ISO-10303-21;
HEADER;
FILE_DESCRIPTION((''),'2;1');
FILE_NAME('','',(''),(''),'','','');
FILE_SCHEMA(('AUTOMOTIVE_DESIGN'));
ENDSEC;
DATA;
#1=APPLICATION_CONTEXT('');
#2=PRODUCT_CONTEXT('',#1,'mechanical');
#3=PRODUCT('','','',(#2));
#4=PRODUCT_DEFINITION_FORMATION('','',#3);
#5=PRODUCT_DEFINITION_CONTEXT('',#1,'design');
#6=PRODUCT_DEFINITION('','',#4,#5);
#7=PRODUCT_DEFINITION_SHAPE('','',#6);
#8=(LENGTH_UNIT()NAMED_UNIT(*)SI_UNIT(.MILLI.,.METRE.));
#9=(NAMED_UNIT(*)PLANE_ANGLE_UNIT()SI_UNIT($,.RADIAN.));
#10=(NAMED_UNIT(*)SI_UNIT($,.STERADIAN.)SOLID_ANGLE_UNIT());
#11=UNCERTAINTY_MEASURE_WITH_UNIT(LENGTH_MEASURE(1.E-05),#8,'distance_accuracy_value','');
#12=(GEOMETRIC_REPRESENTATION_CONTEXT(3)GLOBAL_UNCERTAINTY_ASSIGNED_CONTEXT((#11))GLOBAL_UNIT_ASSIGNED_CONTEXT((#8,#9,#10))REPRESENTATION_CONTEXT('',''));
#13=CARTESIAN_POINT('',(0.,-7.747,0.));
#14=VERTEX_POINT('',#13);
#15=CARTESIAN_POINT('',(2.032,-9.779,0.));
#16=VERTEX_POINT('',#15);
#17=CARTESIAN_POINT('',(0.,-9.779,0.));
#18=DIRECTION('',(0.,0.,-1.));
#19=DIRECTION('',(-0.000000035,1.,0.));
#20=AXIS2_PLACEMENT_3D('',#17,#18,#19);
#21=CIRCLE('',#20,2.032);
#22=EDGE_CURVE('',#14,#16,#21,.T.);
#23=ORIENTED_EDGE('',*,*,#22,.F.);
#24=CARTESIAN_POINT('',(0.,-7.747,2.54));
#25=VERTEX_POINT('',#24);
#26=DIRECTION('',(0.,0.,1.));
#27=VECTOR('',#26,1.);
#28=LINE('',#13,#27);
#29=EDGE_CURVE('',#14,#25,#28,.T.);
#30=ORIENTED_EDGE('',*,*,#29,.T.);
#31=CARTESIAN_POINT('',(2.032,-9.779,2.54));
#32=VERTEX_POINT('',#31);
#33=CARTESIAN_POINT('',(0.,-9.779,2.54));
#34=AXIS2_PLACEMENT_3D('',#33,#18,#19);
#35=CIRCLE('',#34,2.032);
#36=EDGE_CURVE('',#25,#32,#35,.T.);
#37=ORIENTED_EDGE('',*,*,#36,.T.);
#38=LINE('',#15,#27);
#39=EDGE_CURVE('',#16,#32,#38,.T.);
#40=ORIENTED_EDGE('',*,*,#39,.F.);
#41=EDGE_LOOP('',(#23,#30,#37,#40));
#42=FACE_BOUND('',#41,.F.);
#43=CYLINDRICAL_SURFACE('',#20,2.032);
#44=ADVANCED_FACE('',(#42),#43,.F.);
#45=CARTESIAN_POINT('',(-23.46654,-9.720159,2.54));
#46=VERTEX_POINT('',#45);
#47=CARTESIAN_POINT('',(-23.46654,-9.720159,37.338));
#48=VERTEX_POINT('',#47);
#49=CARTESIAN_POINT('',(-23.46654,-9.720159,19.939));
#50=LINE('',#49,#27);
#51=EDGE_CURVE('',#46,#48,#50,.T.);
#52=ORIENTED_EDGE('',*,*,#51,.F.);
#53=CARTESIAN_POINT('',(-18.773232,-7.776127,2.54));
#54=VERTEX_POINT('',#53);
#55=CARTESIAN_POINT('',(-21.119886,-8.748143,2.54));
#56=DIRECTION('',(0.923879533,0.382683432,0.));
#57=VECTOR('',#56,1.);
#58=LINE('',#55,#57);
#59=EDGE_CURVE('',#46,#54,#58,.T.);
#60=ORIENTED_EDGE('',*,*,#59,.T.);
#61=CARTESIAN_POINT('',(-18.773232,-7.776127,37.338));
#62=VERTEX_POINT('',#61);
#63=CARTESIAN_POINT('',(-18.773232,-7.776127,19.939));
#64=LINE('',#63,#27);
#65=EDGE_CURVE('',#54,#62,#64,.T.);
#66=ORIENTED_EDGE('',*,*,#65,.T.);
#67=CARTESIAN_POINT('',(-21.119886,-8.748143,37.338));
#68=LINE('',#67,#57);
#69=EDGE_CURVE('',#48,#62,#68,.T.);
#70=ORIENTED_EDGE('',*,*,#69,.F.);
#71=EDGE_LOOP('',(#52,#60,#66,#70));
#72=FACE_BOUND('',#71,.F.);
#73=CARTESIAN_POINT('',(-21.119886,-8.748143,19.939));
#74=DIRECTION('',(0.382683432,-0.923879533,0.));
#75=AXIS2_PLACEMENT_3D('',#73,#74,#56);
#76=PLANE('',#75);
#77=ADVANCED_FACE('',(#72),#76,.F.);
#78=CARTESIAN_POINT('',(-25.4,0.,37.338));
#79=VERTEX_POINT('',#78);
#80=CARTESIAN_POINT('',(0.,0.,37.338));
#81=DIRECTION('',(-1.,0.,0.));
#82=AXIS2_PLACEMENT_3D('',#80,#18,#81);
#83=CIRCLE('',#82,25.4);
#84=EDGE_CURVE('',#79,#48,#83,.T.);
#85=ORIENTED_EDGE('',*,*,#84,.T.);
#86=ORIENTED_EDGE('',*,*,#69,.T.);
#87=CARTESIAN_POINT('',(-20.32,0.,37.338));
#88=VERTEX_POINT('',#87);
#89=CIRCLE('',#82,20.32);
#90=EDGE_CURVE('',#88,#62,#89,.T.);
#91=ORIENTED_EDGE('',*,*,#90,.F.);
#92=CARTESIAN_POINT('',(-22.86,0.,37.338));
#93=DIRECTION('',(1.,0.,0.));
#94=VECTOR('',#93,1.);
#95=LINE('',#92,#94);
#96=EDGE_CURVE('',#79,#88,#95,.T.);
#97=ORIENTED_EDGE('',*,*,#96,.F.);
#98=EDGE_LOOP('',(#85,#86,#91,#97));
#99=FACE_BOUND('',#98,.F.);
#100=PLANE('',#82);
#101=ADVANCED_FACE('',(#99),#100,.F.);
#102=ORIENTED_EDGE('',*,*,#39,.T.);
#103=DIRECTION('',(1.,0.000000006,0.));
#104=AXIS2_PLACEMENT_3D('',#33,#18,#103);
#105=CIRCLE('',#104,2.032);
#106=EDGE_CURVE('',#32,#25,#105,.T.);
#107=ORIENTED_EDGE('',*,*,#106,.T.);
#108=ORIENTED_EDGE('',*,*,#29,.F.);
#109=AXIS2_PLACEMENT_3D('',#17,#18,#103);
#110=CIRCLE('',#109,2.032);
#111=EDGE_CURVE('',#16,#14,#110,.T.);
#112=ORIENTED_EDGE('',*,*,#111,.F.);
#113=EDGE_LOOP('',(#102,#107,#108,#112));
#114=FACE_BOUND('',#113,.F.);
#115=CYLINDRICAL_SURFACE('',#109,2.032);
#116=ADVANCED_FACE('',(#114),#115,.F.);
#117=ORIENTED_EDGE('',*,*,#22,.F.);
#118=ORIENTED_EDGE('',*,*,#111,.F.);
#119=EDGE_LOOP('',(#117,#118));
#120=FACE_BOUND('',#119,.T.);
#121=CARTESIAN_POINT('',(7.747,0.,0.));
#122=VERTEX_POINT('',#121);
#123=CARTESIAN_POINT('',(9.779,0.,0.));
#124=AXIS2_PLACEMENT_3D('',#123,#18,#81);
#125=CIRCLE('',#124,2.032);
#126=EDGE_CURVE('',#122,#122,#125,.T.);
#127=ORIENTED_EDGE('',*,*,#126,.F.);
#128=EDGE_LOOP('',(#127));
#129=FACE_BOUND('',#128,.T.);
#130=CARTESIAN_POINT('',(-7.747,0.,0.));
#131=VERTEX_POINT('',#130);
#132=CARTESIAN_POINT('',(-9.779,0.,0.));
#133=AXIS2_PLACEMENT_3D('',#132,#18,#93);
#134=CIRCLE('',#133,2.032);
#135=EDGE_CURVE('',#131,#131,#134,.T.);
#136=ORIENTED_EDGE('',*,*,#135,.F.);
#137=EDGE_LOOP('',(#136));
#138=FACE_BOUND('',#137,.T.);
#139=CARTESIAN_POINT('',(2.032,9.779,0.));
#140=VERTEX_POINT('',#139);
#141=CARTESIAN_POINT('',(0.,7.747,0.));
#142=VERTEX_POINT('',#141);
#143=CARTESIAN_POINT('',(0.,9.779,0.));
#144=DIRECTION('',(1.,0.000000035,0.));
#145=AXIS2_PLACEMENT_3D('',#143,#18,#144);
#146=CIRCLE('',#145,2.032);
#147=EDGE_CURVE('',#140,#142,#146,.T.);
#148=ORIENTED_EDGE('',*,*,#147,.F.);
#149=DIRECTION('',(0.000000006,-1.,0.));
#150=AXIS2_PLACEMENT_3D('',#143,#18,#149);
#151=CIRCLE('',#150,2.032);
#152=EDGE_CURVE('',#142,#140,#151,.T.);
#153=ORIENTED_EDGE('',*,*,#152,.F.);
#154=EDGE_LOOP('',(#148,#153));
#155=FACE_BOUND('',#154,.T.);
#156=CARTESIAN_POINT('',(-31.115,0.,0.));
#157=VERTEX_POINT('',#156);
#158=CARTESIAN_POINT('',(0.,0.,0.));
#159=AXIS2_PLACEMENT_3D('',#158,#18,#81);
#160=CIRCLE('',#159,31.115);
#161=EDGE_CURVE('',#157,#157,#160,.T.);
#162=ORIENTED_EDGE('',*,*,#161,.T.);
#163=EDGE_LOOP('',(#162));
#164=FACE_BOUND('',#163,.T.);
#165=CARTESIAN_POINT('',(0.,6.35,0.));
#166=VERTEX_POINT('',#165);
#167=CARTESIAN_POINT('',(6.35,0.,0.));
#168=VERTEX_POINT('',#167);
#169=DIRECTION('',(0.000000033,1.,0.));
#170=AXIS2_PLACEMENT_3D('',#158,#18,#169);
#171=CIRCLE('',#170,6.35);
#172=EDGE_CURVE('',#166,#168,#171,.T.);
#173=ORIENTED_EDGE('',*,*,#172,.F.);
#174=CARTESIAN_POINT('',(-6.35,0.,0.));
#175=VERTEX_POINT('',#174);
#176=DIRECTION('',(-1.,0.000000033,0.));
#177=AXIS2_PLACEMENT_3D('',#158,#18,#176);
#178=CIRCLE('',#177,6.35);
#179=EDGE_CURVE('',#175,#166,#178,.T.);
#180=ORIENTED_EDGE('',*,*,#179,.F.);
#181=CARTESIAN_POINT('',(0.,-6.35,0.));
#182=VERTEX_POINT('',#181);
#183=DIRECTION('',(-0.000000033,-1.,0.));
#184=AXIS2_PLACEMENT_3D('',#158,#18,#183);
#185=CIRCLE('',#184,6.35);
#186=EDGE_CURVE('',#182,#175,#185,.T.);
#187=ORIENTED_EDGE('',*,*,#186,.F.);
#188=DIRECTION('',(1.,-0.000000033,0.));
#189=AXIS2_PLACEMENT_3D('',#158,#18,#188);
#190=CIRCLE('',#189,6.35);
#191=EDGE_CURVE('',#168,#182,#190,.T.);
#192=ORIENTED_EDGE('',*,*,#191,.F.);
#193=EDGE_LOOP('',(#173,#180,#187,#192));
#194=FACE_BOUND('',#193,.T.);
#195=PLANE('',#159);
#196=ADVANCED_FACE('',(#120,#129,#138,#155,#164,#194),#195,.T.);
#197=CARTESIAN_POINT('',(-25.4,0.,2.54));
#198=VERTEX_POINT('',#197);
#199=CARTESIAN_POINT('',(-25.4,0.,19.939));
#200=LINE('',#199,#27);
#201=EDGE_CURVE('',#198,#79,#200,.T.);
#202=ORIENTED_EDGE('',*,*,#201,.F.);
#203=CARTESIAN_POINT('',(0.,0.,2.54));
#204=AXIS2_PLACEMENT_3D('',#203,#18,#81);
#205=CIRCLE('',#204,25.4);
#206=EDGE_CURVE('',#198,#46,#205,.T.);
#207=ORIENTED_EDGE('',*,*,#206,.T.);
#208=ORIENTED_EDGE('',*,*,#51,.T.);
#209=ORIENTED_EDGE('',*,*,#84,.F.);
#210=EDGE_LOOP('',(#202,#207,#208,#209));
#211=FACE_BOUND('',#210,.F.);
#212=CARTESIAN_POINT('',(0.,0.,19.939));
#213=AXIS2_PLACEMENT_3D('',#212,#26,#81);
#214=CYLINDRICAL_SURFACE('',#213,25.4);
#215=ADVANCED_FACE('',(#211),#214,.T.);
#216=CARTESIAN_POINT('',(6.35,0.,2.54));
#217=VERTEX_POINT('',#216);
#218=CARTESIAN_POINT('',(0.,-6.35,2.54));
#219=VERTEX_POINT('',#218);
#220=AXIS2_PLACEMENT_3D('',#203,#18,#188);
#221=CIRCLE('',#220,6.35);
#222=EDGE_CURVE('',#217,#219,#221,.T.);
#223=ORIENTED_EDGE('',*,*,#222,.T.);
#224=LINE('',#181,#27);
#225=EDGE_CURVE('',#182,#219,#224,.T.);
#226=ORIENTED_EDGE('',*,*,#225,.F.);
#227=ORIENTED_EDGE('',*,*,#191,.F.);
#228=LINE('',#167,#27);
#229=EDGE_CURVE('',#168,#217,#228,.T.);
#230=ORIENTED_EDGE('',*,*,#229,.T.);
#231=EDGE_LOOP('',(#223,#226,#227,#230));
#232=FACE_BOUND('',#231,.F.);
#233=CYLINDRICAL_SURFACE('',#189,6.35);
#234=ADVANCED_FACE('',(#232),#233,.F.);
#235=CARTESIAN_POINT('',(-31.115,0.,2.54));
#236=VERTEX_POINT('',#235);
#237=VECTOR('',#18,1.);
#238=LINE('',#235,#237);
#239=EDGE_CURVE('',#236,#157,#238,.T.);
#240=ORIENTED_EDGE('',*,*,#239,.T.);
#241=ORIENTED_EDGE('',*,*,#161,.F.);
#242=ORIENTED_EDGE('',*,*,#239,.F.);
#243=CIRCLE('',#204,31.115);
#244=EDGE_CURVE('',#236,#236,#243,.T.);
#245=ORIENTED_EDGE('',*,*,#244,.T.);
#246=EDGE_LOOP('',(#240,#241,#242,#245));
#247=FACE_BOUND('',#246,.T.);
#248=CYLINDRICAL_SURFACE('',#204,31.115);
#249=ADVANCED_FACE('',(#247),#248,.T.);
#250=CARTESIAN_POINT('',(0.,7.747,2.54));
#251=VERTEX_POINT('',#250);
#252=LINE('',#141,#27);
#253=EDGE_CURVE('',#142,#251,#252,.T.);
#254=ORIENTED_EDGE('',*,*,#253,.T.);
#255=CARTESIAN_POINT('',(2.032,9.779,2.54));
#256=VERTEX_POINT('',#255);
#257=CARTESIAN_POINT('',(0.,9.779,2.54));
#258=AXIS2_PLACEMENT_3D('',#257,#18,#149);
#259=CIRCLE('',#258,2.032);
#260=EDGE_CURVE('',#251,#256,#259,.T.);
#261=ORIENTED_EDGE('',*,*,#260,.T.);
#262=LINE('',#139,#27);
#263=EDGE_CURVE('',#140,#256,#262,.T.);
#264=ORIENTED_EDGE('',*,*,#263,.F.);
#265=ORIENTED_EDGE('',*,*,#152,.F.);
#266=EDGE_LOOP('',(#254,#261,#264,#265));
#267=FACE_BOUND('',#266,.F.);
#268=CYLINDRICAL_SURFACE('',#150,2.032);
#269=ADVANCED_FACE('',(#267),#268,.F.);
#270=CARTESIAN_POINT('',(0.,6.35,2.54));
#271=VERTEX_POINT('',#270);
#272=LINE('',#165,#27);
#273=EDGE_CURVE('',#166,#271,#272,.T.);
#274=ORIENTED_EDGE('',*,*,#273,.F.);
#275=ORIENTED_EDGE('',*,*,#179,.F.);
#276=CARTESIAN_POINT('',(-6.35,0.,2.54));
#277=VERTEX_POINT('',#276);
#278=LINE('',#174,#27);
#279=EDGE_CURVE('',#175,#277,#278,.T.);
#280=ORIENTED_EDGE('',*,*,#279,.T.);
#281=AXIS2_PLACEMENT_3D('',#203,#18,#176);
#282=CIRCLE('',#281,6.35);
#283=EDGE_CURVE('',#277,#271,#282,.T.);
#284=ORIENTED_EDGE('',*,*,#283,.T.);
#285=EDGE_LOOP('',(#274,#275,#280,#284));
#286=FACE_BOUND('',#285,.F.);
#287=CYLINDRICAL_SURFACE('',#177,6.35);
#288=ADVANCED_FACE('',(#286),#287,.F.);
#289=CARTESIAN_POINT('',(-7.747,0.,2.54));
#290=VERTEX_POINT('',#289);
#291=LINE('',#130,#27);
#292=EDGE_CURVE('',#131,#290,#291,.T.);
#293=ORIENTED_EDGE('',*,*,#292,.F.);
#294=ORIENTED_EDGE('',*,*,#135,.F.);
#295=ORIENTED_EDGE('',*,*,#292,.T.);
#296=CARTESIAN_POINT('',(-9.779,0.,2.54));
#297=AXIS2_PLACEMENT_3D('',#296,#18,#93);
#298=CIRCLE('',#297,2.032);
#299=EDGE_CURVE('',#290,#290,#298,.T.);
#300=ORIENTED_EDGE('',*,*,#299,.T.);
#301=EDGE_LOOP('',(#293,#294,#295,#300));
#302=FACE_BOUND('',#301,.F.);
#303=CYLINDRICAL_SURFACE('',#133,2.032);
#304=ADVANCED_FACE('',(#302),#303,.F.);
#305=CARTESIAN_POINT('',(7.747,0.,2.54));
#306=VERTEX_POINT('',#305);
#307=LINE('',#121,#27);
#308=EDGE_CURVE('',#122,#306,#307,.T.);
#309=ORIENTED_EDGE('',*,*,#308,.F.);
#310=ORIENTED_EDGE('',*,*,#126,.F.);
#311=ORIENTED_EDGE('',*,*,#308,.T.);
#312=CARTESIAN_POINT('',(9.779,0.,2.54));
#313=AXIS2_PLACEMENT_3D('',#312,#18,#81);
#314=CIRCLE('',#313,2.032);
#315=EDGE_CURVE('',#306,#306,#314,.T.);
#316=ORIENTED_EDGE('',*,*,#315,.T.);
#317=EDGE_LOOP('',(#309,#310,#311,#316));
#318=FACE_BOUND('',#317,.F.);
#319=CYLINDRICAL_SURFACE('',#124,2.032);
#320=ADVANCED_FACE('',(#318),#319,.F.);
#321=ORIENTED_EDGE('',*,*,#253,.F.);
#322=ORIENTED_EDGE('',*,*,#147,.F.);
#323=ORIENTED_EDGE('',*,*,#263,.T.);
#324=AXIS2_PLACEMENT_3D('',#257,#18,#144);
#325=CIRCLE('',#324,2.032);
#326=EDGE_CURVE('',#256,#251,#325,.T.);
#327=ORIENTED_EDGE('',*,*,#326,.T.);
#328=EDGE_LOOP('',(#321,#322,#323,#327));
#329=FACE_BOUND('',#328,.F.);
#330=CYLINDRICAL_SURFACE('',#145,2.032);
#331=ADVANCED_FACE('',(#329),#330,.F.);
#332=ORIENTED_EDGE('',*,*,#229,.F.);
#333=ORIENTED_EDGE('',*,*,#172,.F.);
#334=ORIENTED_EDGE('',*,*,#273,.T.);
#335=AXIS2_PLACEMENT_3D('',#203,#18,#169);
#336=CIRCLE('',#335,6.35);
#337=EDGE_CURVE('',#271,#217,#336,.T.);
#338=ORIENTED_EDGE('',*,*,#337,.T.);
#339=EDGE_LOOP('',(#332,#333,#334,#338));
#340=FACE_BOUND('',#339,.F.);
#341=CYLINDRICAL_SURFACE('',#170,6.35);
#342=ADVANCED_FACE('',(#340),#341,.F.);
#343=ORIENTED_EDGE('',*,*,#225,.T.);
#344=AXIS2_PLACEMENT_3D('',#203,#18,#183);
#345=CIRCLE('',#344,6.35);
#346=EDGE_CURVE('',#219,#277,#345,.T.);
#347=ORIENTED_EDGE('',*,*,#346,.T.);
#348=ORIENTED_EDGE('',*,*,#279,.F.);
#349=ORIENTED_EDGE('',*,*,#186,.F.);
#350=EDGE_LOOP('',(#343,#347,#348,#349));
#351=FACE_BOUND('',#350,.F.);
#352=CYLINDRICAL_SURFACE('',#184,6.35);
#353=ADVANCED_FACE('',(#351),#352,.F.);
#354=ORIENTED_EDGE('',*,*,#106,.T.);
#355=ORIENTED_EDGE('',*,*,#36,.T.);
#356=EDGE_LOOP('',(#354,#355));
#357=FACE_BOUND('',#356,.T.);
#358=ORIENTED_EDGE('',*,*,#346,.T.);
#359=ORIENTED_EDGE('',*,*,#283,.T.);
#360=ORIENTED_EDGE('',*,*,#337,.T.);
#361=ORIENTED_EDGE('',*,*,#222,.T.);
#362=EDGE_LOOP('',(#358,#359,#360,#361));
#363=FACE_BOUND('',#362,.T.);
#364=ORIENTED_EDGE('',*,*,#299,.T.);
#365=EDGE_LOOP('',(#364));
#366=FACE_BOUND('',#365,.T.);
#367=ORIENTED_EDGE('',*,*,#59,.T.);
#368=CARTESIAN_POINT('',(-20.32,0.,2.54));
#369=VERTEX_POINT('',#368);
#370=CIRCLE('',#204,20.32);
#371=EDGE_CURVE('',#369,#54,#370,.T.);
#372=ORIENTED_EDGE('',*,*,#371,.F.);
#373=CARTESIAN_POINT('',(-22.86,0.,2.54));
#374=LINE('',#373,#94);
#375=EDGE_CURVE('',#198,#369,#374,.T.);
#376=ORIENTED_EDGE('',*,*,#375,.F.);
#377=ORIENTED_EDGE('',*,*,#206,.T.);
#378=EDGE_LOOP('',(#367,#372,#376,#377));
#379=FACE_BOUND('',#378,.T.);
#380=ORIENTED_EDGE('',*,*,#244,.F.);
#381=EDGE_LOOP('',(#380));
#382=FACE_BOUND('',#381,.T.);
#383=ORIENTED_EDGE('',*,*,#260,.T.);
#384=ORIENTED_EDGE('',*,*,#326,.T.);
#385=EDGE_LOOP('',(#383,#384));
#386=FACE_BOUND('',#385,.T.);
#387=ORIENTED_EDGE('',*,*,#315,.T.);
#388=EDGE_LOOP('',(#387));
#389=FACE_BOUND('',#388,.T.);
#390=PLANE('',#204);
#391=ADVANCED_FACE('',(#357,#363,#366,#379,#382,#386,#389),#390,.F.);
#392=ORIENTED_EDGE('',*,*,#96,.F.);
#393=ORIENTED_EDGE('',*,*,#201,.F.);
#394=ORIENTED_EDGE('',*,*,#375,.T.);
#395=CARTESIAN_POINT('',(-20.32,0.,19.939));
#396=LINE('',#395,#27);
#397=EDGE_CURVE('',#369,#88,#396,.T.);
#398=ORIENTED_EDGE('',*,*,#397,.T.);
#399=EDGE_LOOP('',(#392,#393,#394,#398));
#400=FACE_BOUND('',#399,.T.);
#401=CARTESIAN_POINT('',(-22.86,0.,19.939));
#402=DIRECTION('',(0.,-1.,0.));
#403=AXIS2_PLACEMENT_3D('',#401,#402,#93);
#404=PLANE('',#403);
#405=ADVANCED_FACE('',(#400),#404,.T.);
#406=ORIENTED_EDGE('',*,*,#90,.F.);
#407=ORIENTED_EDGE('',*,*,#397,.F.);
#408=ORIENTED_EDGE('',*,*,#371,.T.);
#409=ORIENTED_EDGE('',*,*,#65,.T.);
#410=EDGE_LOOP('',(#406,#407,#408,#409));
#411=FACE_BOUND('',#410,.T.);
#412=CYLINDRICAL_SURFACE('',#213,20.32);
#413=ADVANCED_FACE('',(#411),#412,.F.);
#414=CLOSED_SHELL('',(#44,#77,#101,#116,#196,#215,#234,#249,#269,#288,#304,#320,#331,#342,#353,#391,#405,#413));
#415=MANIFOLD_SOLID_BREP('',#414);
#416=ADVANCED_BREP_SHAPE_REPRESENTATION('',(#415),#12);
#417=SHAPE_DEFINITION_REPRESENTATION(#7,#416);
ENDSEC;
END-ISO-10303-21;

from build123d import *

# Parameters (mm, degrees)
F0_W     = 5.08
F0_H     = 34.798
F1_ANGLE = 337.5
F3_R     = 2.032
F4_DEPTH = 10.60485


with BuildPart() as f1:
    # F0 (on Front) → F1 (revolve)
    with BuildSketch(Plane.XZ):
        with Locations((-22.86, 19.939)):
            Rectangle(F0_W, F0_H)
    revolve(axis=Axis((0, 0, 19.939), (0, 0, -1)), revolution_arc=F1_ANGLE)

    # F0 (on Front) → F2 (revolve)
    with BuildSketch(Plane.XZ):
        Polygon((-31.115, 0), (0, 0), (0, 2.54), (-20.32, 2.54), (-25.4, 2.54), (-31.115, 2.54), align=None)
    revolve(axis=Axis((0, 0, 19.939), (0, 0, -1)))

    # F3 (on face) → F4 (cut)
    with BuildSketch(Plane(origin=(0, 0, 0), x_dir=(1, 0, 0), z_dir=(0, 0, -1))):
        with BuildLine():
            Line((0, 0), (6.35, 0))
            ThreePointArc((6.35, 0), (4.490128, 4.490128), (0, 6.35))
            Line((0, 6.35), (0, 0))
        make_face()
        with BuildLine():
            ThreePointArc((2.032, -9.779), (1.436841, -8.342159), (0, -7.747))
            ThreePointArc((0, -7.747), (-1.436841, -11.215841), (2.032, -9.779))
        make_face()
        with Locations((-9.779, 0)):
            Circle(F3_R)
        with BuildLine():
            ThreePointArc((2.032, 9.779), (-1.436841, 11.215841), (0, 7.747))
            ThreePointArc((0, 7.747), (1.436841, 8.342159), (2.032, 9.779))
        make_face()
        with BuildLine():
            ThreePointArc((0, -6.35), (4.490128, -4.490128), (6.35, 0))
            Line((6.35, 0), (0, 0))
            Line((0, 0), (0, -6.35))
        make_face()
        with BuildLine():
            ThreePointArc((11.811, 0), (9.779, 2.032), (7.747, 0))
            ThreePointArc((7.747, 0), (9.779, -2.032), (11.811, 0))
        make_face()
        with BuildLine():
            Line((0, 0), (0, 6.35))
            ThreePointArc((0, 6.35), (-4.490128, 4.490128), (-6.35, 0))
            Line((-6.35, 0), (0, 0))
        make_face()
        with BuildLine():
            ThreePointArc((-6.35, 0), (-4.490128, -4.490128), (0, -6.35))
            Line((0, -6.35), (0, 0))
            Line((0, 0), (-6.35, 0))
        make_face()
    extrude(amount=-F4_DEPTH, mode=Mode.SUBTRACT)


solid = f1.part
